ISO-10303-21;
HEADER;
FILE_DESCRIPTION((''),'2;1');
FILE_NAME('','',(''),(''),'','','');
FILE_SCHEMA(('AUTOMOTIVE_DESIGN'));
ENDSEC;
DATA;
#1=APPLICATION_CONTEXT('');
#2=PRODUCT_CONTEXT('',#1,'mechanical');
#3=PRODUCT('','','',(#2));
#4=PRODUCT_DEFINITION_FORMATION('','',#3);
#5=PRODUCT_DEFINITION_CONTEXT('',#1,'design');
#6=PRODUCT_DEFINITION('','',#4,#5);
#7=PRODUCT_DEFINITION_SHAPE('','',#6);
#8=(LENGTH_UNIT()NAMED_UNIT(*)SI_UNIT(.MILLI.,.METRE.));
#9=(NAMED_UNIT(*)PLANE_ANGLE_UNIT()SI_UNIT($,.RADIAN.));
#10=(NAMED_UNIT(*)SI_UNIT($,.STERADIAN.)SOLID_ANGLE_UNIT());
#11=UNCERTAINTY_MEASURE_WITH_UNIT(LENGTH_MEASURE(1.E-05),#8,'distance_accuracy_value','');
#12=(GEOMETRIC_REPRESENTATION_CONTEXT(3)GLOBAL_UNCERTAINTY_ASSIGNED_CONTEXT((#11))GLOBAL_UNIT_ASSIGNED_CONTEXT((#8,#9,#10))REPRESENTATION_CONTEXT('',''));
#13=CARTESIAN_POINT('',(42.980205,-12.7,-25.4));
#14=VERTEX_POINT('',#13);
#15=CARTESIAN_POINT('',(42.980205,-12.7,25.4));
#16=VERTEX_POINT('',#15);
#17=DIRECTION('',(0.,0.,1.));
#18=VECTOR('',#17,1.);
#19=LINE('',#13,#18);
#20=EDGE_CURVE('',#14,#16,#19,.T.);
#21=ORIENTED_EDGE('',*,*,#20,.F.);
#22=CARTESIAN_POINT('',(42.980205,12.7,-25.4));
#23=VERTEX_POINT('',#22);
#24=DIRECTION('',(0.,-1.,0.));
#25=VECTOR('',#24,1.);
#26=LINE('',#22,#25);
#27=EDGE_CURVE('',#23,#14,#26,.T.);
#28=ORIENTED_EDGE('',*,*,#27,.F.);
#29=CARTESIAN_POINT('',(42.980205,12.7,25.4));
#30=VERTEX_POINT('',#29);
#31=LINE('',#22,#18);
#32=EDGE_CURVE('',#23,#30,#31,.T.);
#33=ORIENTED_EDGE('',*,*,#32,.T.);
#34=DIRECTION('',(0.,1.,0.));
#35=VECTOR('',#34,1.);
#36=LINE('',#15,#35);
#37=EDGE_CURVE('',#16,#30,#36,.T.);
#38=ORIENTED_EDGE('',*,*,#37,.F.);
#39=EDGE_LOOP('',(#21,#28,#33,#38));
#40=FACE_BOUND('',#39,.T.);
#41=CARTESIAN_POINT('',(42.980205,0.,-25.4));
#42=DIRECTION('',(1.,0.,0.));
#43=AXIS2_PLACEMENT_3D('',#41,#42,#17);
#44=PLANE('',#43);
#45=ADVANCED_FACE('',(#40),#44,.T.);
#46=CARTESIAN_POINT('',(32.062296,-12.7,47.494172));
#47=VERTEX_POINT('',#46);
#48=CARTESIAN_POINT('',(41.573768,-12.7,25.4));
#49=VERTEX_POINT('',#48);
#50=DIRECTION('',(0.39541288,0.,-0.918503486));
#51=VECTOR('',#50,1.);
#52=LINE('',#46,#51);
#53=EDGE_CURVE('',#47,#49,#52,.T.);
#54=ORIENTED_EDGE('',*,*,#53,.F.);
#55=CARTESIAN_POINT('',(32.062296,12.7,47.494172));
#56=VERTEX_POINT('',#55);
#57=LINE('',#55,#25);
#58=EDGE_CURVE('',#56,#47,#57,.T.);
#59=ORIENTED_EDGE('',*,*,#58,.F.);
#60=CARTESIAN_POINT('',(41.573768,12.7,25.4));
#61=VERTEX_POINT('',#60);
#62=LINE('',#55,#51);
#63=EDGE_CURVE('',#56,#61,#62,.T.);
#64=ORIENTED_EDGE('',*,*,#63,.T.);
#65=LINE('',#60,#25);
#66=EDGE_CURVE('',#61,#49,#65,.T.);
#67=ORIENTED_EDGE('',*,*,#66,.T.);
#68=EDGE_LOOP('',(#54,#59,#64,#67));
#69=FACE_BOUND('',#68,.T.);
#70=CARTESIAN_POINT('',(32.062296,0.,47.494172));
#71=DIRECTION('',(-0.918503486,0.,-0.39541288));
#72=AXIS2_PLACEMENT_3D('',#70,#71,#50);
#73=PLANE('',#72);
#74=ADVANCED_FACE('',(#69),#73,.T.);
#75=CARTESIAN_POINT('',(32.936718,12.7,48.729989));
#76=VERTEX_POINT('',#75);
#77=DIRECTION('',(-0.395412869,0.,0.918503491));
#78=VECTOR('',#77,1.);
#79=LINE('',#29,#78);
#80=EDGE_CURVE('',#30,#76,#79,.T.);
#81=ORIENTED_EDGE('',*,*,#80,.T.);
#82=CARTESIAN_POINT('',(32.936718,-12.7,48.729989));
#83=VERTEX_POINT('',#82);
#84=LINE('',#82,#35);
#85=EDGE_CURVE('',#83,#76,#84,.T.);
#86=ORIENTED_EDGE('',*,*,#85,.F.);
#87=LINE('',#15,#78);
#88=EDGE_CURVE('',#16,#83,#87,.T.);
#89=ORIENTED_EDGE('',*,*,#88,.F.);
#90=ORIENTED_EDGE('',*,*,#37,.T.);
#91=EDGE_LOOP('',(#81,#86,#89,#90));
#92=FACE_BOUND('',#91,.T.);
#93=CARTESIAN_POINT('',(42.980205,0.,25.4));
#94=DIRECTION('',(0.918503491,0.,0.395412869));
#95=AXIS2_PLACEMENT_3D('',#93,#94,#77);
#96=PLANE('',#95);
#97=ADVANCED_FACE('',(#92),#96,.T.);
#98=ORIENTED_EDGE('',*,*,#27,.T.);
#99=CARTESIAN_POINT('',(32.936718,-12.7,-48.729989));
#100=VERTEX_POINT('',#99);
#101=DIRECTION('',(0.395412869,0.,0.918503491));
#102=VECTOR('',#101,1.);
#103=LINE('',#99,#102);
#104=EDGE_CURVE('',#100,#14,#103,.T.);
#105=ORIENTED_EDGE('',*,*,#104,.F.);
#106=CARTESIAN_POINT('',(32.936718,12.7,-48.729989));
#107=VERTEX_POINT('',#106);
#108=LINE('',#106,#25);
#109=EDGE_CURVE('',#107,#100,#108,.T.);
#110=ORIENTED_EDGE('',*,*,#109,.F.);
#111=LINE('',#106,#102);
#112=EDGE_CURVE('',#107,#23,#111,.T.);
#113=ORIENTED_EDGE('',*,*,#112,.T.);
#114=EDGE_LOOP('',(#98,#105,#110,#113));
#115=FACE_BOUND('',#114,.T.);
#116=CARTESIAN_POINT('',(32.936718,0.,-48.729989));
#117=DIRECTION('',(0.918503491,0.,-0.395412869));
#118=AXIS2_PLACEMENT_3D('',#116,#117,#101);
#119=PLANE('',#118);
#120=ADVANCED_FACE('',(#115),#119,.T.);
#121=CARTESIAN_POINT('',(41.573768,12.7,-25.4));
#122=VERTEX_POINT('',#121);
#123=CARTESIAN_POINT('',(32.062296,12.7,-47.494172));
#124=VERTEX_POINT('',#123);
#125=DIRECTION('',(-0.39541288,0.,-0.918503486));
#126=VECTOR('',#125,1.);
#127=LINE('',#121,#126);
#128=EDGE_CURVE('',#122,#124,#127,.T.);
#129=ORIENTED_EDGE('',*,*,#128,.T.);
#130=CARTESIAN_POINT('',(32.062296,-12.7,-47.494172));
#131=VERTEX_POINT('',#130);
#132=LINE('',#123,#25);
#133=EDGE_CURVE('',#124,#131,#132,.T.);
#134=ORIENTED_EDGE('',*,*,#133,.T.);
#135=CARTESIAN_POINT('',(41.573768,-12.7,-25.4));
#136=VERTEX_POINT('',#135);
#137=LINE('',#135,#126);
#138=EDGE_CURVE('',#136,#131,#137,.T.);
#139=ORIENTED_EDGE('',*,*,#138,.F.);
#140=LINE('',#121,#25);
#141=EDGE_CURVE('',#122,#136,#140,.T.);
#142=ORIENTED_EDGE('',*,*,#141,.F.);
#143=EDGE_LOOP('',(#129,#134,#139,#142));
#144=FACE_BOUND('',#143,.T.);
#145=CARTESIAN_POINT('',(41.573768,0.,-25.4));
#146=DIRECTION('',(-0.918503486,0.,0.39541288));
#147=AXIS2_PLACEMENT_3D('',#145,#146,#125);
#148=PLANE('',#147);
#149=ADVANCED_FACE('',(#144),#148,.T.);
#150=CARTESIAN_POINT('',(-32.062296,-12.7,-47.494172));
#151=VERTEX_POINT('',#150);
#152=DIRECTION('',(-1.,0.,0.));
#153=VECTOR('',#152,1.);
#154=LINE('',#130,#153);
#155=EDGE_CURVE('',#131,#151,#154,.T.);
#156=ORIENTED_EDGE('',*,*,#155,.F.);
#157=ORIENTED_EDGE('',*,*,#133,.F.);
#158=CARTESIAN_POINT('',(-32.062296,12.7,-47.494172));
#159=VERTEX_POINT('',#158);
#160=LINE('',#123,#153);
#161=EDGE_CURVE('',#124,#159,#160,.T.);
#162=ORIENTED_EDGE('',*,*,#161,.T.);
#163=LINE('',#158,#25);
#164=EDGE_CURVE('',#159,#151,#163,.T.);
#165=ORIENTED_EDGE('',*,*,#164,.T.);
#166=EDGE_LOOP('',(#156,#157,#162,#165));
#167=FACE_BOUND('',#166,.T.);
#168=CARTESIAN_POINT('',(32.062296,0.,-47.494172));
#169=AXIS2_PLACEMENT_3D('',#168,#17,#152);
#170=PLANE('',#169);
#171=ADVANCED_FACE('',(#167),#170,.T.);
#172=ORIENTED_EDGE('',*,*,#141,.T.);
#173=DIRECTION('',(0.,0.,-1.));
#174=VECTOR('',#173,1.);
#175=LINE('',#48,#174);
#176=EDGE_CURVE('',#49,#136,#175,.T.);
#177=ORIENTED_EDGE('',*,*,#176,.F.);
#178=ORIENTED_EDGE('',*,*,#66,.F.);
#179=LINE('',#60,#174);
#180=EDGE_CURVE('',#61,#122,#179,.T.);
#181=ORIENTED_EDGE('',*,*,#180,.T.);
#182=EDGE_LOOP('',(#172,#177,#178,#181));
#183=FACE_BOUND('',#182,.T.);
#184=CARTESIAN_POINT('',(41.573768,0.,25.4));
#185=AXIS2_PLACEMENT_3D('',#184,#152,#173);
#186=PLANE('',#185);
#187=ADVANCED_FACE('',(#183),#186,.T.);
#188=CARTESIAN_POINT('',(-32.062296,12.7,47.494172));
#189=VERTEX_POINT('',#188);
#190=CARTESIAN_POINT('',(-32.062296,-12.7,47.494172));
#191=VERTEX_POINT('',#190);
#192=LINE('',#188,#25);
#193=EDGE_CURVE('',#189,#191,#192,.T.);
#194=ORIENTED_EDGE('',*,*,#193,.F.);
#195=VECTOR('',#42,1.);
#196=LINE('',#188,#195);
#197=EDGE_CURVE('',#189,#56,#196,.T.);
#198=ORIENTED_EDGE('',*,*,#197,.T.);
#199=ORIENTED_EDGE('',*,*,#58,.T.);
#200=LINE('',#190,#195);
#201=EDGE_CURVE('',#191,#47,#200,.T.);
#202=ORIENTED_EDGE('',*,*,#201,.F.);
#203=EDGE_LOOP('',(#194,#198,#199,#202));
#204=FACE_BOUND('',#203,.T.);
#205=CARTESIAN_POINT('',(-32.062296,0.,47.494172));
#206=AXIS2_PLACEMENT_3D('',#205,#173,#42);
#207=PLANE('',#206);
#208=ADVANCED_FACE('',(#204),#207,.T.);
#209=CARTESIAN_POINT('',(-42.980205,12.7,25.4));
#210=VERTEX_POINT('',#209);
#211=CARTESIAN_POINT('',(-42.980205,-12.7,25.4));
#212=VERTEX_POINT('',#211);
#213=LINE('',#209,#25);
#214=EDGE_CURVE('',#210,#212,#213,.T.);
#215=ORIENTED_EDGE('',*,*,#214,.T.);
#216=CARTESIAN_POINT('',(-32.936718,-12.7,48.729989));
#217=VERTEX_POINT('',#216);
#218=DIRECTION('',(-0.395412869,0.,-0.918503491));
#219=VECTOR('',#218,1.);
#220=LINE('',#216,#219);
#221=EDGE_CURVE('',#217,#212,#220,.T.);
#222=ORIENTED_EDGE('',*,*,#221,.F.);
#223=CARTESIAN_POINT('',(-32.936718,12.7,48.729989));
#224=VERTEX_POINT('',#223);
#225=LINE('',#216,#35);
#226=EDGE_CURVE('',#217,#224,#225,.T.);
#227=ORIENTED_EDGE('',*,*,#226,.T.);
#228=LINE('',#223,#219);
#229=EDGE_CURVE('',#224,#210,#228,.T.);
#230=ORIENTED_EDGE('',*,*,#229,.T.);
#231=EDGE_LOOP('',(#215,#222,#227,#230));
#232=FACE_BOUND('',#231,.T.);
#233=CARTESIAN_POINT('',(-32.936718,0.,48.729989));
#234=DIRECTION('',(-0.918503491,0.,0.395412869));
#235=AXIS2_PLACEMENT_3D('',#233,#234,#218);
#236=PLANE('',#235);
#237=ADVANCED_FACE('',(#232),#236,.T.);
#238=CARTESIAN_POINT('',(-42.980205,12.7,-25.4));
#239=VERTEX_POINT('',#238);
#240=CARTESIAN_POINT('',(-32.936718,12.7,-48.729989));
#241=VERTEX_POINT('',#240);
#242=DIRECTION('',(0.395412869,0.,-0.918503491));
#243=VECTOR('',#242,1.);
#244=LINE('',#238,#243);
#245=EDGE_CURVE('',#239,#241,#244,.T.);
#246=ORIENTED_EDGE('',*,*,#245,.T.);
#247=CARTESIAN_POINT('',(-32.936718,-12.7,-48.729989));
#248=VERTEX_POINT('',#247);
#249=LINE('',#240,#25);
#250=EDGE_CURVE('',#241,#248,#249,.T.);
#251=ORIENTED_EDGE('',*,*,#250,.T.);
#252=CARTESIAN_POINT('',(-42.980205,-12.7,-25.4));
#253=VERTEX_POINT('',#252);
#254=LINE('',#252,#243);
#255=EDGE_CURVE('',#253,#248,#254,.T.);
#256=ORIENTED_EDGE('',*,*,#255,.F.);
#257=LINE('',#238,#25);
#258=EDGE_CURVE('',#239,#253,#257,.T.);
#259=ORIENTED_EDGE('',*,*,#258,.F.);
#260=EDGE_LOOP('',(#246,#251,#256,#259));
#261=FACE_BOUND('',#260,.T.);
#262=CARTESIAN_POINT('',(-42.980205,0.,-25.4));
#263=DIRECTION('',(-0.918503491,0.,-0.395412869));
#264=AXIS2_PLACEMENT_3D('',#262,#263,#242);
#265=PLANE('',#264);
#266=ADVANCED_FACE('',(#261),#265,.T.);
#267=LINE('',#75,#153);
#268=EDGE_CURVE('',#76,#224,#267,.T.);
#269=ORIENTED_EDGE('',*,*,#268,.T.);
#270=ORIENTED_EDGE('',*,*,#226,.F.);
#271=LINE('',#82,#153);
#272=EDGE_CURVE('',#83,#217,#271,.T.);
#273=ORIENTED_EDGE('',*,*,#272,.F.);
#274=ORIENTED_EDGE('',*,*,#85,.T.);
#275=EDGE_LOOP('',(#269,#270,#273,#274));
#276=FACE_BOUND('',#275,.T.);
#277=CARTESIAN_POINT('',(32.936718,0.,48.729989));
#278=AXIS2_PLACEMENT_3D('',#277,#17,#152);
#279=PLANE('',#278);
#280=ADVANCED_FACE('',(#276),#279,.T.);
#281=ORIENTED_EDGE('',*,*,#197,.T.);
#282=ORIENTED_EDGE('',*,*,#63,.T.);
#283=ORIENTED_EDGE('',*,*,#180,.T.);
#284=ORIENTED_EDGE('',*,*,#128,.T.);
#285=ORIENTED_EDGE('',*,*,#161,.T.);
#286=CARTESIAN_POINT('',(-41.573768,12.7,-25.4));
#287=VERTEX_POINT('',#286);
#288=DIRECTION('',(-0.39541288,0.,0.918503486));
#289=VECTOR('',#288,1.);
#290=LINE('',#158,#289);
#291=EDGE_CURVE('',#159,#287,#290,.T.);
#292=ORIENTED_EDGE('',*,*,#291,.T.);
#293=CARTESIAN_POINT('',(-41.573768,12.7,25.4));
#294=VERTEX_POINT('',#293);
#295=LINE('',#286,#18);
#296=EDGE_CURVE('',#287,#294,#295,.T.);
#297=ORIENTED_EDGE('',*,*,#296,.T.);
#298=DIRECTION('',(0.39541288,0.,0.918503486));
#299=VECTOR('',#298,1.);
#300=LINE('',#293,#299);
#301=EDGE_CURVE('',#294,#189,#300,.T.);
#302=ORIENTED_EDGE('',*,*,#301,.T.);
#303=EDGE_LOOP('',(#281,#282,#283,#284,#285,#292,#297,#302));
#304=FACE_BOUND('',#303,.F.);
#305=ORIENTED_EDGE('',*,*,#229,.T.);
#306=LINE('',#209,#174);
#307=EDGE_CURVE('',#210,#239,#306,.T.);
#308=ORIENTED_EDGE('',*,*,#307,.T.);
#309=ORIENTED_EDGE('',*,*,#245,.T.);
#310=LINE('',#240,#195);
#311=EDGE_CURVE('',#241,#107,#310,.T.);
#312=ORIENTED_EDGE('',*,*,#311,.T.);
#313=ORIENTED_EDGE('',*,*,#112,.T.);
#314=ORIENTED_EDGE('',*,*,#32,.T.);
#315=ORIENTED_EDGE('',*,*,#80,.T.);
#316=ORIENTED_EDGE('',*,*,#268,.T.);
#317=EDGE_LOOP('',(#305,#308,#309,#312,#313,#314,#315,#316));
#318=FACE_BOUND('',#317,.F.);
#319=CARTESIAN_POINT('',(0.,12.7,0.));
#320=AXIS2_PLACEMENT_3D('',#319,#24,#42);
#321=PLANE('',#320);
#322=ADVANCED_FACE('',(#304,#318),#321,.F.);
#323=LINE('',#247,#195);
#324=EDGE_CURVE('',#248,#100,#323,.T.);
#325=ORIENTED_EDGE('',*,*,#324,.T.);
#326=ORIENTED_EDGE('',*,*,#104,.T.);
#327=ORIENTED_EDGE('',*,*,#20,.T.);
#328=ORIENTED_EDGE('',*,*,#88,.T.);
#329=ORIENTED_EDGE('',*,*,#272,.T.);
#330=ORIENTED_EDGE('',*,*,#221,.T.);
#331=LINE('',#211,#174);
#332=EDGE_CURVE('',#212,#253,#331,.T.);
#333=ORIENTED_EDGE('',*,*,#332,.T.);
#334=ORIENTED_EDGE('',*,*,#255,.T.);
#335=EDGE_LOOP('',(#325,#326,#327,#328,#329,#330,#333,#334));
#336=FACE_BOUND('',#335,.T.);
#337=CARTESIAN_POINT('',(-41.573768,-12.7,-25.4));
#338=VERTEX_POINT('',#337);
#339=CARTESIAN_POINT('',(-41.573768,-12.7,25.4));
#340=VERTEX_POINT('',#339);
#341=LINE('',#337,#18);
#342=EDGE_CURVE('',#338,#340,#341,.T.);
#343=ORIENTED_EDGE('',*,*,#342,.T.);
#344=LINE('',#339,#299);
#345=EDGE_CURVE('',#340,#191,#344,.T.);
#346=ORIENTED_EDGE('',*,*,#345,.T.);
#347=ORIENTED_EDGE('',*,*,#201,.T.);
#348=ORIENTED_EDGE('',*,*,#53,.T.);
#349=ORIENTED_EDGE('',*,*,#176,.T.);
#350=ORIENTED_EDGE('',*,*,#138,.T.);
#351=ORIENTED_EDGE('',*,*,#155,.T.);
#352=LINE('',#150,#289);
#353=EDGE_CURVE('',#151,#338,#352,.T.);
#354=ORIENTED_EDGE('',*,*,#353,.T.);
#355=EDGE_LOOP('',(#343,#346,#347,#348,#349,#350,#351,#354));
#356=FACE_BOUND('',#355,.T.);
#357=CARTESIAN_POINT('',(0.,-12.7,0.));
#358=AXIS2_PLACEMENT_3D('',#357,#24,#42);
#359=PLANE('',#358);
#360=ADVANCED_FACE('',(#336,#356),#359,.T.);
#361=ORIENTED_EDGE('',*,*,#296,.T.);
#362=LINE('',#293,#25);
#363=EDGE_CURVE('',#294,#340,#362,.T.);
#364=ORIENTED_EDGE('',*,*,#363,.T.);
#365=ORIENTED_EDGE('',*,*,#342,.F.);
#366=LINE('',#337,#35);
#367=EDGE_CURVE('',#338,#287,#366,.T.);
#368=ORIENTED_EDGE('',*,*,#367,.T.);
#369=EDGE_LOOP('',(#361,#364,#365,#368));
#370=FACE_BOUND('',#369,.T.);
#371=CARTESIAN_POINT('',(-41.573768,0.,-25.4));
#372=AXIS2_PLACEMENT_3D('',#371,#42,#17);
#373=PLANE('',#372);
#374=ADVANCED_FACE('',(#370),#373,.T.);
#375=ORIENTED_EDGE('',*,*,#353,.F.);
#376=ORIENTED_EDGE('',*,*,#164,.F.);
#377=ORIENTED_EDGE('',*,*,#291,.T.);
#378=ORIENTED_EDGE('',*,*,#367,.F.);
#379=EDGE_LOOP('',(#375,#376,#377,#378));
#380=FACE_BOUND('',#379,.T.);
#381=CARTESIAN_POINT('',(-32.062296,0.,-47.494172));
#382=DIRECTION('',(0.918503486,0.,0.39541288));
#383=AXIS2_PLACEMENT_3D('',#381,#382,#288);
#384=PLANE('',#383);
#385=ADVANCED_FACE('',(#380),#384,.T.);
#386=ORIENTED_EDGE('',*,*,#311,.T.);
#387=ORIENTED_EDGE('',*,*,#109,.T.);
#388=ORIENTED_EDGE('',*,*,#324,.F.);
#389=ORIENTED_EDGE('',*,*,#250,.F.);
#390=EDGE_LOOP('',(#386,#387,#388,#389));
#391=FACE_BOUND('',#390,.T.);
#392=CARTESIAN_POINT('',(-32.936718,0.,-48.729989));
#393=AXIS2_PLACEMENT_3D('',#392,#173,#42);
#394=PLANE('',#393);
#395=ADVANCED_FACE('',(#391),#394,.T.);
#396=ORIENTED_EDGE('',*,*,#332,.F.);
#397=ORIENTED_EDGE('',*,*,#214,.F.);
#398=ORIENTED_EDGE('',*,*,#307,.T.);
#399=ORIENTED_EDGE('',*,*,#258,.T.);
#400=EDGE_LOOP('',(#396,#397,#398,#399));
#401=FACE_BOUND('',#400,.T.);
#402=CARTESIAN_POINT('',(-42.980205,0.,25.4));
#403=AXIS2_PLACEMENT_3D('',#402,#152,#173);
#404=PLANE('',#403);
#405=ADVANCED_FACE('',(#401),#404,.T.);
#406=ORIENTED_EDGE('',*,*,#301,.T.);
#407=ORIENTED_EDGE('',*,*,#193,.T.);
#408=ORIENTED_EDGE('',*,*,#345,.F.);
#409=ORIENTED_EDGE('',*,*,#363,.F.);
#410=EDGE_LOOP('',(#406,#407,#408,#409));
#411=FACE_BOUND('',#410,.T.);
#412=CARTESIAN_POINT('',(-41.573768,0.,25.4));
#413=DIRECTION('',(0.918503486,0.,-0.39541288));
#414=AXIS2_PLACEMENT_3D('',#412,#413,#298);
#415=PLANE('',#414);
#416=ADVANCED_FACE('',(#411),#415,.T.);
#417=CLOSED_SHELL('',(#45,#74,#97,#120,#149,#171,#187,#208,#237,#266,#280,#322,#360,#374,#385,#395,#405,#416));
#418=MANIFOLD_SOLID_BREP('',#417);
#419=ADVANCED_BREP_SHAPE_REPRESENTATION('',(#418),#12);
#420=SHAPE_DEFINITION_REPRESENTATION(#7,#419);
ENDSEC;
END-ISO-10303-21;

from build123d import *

# Parameters (mm, degrees)
F1_DEPTH = 12.7


with BuildPart() as f1:
    # F0 (on Front) → F1 (new body, symmetric)
    with BuildSketch(Plane.XZ):
        Polygon((32.062296, 48.729989), (-32.062296, 48.729989), (-32.936718, 48.729989), (-42.980205, 25.4), (-42.980205, -25.4), (-32.936718, -48.729989), (32.062296, -48.729989), (32.936718, -48.729989), (42.980205, -25.4), (42.980205, 25.4), (32.936718, 48.729989), align=None)
        Polygon((-41.573768, 25.4), (-32.062296, 47.494172), (0, 47.494172), (32.062296, 47.494172), (41.573768, 25.4), (41.573768, -25.4), (32.062296, -47.494172), (0, -47.494172), (-32.062296, -47.494172), (-41.573768, -25.4), align=None, mode=Mode.SUBTRACT)
    extrude(amount=F1_DEPTH, both=True)


solid = f1.part
